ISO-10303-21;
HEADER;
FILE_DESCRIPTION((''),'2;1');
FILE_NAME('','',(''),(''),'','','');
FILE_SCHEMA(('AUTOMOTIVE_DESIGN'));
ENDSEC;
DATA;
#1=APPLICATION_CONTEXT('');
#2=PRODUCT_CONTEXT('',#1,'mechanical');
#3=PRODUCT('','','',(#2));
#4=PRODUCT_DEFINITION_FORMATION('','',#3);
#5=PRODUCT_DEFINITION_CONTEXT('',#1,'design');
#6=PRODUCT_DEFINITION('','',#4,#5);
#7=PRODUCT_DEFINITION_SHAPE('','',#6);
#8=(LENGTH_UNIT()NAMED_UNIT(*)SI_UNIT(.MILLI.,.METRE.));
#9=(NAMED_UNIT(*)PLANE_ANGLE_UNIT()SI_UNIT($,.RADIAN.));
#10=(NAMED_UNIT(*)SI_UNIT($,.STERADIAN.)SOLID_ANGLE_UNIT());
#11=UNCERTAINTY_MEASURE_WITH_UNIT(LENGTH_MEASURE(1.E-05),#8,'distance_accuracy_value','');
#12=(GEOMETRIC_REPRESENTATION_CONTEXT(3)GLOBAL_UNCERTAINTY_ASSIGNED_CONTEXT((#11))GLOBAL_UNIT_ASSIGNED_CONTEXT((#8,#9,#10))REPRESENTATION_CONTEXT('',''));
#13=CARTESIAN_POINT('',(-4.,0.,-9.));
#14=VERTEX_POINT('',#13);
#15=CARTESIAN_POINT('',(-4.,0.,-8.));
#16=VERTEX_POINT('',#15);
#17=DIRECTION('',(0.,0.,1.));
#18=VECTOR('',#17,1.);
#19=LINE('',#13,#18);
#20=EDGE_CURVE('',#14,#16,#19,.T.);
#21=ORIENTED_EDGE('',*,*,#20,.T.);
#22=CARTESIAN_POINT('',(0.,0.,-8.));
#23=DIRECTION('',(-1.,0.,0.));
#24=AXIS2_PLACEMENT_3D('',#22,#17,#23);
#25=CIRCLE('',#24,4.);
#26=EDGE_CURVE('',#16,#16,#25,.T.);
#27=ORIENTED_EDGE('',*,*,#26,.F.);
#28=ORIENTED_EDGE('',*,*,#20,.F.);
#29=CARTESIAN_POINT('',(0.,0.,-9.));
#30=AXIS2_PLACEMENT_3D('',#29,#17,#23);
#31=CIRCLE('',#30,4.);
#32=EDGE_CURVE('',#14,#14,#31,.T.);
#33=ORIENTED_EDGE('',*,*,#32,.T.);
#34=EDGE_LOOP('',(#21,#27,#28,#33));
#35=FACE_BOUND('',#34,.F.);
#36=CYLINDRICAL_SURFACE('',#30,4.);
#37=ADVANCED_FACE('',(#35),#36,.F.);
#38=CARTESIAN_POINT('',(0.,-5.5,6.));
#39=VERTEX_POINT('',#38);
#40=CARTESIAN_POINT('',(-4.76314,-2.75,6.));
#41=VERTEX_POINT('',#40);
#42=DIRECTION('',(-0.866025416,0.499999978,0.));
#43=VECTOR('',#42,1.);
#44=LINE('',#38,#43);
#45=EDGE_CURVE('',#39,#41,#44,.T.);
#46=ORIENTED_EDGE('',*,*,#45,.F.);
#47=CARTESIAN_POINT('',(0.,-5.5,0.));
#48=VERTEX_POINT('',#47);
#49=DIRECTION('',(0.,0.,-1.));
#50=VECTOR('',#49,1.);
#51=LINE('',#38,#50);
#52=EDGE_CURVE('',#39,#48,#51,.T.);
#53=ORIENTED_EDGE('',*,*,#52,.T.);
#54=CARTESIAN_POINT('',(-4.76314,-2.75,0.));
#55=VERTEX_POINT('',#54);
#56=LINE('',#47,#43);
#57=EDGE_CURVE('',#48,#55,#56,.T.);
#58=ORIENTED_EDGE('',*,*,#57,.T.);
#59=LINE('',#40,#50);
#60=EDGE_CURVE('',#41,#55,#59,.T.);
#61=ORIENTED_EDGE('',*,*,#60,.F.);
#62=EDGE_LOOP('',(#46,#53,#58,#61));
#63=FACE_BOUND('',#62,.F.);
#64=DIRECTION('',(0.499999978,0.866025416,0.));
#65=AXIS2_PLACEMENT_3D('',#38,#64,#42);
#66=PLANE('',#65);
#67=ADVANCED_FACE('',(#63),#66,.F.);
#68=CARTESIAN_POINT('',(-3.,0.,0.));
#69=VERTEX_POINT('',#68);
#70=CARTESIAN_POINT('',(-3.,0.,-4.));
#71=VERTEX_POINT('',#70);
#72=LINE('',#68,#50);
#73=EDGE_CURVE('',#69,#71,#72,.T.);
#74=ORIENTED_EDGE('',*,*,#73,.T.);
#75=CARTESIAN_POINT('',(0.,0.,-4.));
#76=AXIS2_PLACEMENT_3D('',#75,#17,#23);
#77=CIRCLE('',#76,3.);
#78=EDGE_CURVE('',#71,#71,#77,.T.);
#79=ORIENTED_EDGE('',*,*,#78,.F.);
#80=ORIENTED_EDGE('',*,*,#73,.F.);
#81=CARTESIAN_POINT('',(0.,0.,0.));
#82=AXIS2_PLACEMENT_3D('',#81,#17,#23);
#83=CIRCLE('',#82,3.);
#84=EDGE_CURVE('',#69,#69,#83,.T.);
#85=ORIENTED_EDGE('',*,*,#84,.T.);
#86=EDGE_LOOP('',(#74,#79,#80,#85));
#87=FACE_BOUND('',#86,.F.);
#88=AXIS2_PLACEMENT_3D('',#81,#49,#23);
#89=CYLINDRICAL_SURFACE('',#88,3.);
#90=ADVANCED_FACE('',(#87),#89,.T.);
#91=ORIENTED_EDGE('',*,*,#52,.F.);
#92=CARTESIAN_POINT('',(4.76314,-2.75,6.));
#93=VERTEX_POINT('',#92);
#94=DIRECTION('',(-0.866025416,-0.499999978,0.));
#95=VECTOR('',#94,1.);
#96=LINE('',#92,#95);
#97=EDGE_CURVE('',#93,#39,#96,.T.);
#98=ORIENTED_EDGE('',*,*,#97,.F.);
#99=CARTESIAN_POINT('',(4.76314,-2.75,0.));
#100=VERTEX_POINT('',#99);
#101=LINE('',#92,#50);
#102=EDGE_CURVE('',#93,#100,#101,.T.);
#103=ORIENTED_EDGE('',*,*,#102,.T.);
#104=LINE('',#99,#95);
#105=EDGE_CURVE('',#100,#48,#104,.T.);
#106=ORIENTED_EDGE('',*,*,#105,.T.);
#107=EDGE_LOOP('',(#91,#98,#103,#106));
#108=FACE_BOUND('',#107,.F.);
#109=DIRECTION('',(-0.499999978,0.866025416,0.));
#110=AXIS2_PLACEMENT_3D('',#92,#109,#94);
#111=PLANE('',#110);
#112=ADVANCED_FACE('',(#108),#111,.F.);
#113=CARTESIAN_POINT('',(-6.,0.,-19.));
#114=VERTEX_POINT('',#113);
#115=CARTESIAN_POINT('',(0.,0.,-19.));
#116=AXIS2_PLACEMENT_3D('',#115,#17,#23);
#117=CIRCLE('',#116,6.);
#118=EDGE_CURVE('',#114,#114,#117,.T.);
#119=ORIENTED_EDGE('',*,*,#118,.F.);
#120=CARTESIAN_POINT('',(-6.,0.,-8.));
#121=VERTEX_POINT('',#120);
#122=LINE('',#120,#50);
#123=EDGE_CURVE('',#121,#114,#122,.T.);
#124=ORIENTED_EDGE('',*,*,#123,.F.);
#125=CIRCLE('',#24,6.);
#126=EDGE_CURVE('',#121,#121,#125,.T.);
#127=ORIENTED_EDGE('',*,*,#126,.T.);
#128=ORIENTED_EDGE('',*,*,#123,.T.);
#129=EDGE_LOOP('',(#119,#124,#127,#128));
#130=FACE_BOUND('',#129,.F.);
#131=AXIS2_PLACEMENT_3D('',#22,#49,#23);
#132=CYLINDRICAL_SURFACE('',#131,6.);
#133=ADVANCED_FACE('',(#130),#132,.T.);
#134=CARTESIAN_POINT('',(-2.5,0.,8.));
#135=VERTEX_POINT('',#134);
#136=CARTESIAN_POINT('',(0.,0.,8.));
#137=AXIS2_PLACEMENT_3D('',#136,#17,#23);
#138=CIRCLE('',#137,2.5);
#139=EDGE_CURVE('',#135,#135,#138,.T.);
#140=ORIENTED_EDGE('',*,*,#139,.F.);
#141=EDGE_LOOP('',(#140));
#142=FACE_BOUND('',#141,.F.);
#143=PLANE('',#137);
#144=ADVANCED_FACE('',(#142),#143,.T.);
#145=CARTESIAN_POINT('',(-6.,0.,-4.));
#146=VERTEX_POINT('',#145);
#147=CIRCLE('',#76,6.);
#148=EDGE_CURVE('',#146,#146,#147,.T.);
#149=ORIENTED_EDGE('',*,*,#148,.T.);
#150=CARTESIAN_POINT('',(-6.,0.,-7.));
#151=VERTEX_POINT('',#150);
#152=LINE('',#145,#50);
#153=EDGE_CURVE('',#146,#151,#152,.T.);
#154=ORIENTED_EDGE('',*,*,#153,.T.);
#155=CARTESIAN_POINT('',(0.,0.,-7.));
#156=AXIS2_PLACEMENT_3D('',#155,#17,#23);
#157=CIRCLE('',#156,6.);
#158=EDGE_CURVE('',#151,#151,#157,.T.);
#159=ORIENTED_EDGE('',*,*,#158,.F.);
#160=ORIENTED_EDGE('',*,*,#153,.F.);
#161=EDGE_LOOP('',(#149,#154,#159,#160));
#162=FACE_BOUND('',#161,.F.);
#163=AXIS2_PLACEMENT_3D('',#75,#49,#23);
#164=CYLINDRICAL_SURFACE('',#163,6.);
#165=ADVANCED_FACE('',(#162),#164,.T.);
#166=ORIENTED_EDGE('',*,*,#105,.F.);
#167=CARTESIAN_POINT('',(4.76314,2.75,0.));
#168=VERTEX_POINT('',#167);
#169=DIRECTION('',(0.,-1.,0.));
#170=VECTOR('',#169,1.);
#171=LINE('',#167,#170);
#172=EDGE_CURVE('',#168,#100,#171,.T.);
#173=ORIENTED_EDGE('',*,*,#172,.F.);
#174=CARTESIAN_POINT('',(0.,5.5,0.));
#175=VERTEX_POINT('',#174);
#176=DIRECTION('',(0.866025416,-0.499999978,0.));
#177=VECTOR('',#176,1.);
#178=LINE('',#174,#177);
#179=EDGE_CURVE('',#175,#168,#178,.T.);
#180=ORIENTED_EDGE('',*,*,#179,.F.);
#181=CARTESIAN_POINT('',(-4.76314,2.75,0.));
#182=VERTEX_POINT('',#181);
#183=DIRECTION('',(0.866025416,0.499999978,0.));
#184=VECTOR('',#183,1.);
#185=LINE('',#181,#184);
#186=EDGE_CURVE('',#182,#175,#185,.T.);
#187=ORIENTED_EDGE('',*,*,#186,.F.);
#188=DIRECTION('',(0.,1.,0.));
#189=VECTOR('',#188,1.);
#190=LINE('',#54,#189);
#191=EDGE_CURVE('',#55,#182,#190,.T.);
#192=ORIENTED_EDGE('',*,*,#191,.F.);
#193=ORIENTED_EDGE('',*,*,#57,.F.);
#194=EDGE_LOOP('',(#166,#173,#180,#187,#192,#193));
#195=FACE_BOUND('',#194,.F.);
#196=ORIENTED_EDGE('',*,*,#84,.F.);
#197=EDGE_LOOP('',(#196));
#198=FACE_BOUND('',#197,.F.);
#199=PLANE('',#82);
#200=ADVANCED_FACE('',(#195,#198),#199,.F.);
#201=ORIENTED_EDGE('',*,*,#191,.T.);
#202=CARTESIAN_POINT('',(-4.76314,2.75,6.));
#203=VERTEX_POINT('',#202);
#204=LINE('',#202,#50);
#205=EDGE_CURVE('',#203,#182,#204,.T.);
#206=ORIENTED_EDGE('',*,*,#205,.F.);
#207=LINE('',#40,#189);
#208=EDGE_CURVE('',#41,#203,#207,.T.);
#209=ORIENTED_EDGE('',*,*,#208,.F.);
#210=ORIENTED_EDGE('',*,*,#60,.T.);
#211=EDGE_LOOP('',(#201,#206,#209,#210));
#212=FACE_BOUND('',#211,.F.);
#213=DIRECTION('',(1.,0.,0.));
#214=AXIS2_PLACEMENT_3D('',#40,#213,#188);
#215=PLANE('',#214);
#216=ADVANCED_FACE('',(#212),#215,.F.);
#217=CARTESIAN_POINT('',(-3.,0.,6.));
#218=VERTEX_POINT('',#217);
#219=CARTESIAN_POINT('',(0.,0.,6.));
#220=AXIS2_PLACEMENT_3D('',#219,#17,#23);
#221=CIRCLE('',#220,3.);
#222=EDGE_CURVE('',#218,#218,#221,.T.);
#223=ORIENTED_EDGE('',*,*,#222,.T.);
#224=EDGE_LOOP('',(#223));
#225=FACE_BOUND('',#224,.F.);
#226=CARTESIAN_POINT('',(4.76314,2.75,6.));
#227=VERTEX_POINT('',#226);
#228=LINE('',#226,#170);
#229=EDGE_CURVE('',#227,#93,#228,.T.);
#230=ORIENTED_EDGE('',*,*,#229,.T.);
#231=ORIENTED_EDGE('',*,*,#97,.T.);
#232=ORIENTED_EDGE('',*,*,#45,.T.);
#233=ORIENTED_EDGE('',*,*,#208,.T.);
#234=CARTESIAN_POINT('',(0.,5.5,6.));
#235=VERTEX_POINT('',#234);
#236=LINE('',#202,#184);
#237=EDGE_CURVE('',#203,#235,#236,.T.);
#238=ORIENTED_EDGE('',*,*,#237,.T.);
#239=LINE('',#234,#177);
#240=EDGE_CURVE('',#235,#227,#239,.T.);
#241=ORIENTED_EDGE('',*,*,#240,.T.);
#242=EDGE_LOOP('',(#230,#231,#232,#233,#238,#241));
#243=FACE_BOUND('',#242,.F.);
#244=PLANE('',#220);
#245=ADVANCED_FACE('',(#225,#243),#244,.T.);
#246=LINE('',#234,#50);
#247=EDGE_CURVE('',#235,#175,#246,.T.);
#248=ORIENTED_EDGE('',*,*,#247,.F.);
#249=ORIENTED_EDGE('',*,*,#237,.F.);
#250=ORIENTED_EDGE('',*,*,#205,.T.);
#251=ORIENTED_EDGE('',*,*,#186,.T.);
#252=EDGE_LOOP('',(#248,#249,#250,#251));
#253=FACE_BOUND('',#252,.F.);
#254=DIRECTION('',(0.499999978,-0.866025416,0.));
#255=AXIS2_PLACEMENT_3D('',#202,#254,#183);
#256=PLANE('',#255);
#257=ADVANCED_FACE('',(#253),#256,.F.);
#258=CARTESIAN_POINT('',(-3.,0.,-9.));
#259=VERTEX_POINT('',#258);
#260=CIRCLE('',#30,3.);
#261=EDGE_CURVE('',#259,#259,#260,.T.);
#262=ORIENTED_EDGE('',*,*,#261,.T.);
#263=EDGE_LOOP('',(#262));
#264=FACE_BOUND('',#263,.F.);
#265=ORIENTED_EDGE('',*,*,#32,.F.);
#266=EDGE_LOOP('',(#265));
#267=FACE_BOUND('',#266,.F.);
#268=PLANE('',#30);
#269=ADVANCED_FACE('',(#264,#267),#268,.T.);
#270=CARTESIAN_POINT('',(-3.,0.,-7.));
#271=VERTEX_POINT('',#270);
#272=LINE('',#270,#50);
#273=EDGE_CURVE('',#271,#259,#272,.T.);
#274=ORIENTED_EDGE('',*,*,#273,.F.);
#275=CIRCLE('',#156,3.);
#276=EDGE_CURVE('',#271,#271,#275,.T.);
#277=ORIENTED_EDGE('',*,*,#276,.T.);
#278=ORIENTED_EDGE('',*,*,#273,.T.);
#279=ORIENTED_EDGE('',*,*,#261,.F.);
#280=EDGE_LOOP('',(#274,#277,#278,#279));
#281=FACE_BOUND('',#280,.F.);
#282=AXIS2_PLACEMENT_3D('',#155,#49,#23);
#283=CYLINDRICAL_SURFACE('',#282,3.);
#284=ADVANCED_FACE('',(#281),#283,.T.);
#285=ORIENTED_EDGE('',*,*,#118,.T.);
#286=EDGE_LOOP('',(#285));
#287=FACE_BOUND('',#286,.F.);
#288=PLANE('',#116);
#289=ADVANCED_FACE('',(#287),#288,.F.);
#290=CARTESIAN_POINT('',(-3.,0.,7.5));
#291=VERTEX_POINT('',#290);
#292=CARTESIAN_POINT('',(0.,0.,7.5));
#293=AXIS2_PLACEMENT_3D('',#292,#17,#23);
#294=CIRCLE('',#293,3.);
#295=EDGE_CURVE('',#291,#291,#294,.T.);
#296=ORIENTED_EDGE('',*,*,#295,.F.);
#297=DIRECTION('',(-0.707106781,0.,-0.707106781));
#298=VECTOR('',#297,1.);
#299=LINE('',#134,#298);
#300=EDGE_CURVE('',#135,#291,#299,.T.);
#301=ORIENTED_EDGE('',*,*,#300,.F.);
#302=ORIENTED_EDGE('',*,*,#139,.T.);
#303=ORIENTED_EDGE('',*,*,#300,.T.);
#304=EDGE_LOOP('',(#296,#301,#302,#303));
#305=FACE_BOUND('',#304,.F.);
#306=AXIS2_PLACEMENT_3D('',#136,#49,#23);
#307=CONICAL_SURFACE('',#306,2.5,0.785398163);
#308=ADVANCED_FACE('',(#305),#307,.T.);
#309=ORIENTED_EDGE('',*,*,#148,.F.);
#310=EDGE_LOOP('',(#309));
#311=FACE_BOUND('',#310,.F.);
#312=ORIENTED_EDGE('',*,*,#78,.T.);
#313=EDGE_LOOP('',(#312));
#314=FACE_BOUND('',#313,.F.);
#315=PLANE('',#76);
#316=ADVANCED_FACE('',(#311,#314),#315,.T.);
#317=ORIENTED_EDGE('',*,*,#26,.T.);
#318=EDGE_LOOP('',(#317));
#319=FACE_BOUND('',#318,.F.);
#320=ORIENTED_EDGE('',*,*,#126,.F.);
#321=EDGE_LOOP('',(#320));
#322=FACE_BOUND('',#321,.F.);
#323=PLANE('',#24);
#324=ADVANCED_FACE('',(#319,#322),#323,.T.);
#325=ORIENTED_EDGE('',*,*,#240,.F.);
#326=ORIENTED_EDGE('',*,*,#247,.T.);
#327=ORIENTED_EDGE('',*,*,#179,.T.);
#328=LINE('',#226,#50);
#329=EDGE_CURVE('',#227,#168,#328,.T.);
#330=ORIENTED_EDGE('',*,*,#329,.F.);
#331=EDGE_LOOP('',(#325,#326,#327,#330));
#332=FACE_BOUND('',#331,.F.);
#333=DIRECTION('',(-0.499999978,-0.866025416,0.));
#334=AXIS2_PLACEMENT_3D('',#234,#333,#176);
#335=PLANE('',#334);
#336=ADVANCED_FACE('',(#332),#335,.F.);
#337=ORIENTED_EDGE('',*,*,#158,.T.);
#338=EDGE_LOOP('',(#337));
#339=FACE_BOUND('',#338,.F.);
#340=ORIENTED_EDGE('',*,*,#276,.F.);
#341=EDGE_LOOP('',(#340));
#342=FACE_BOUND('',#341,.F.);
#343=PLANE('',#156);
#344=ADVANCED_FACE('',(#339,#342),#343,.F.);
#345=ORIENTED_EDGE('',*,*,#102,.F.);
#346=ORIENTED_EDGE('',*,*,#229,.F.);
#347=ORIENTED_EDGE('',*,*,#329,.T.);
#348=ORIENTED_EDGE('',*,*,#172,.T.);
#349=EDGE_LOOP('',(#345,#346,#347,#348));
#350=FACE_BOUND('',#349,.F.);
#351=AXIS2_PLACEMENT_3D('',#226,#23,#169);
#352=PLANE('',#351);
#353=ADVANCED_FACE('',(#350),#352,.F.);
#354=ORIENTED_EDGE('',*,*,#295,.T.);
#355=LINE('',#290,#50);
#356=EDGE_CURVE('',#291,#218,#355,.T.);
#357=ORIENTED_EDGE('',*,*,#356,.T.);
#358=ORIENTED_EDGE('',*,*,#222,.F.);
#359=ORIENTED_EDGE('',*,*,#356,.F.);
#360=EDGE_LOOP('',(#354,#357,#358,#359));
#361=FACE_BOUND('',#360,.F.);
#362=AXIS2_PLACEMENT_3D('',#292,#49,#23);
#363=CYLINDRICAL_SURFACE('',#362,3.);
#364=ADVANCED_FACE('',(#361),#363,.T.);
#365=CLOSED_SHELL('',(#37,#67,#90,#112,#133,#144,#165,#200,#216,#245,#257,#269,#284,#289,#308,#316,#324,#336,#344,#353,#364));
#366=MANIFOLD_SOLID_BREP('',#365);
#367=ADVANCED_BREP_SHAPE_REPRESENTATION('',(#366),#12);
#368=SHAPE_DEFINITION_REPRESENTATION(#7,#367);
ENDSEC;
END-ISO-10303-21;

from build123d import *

# Parameters (mm, degrees)
F3_DEPTH = 6


with BuildPart() as f1:
    # F0 (on Front) → F1 (revolve)
    with BuildSketch(Plane.XZ):
        Polygon((0, -19), (0, 8), (-2.5, 8), (-3, 7.5), (-3, 6), (-5.5, 6), (-5.5, 0), (-3, 0), (-3, -4), (-6, -4), (-6, -7), (-3, -7), (-3, -9), (-4, -9), (-4, -8), (-6, -8), (-6, -19), align=None)
    revolve(axis=Axis((0, 0, -5.5), (0, 0, 1)))

    # F2 (on face) → F3 (cut, through all)
    with BuildSketch(Plane.XY.offset(6)):
        with BuildLine():
            Line((-4.76314, -2.75), (-4.76314, 2.75))
            ThreePointArc((-4.76314, 2.75), (-5.5, 0), (-4.76314, -2.75))
        make_face()
        with BuildLine():
            Line((0, -5.5), (-4.76314, -2.75))
            ThreePointArc((-4.76314, -2.75), (-2.75, -4.76314), (0, -5.5))
        make_face()
        with BuildLine():
            ThreePointArc((0, -5.5), (2.75, -4.76314), (4.76314, -2.75))
            Line((4.76314, -2.75), (0, -5.5))
        make_face()
        with BuildLine():
            ThreePointArc((5.5, 0), (5.312592, 1.423505), (4.76314, 2.75))
            Line((4.76314, 2.75), (4.76314, -2.75))
            ThreePointArc((4.76314, -2.75), (5.312592, -1.423505), (5.5, 0))
        make_face()
        with BuildLine():
            ThreePointArc((4.76314, 2.75), (2.75, 4.76314), (0, 5.5))
            Line((0, 5.5), (4.76314, 2.75))
        make_face()
        with BuildLine():
            Line((-4.76314, 2.75), (0, 5.5))
            ThreePointArc((0, 5.5), (-2.75, 4.76314), (-4.76314, 2.75))
        make_face()
    extrude(amount=-F3_DEPTH, mode=Mode.SUBTRACT)


solid = f1.part
